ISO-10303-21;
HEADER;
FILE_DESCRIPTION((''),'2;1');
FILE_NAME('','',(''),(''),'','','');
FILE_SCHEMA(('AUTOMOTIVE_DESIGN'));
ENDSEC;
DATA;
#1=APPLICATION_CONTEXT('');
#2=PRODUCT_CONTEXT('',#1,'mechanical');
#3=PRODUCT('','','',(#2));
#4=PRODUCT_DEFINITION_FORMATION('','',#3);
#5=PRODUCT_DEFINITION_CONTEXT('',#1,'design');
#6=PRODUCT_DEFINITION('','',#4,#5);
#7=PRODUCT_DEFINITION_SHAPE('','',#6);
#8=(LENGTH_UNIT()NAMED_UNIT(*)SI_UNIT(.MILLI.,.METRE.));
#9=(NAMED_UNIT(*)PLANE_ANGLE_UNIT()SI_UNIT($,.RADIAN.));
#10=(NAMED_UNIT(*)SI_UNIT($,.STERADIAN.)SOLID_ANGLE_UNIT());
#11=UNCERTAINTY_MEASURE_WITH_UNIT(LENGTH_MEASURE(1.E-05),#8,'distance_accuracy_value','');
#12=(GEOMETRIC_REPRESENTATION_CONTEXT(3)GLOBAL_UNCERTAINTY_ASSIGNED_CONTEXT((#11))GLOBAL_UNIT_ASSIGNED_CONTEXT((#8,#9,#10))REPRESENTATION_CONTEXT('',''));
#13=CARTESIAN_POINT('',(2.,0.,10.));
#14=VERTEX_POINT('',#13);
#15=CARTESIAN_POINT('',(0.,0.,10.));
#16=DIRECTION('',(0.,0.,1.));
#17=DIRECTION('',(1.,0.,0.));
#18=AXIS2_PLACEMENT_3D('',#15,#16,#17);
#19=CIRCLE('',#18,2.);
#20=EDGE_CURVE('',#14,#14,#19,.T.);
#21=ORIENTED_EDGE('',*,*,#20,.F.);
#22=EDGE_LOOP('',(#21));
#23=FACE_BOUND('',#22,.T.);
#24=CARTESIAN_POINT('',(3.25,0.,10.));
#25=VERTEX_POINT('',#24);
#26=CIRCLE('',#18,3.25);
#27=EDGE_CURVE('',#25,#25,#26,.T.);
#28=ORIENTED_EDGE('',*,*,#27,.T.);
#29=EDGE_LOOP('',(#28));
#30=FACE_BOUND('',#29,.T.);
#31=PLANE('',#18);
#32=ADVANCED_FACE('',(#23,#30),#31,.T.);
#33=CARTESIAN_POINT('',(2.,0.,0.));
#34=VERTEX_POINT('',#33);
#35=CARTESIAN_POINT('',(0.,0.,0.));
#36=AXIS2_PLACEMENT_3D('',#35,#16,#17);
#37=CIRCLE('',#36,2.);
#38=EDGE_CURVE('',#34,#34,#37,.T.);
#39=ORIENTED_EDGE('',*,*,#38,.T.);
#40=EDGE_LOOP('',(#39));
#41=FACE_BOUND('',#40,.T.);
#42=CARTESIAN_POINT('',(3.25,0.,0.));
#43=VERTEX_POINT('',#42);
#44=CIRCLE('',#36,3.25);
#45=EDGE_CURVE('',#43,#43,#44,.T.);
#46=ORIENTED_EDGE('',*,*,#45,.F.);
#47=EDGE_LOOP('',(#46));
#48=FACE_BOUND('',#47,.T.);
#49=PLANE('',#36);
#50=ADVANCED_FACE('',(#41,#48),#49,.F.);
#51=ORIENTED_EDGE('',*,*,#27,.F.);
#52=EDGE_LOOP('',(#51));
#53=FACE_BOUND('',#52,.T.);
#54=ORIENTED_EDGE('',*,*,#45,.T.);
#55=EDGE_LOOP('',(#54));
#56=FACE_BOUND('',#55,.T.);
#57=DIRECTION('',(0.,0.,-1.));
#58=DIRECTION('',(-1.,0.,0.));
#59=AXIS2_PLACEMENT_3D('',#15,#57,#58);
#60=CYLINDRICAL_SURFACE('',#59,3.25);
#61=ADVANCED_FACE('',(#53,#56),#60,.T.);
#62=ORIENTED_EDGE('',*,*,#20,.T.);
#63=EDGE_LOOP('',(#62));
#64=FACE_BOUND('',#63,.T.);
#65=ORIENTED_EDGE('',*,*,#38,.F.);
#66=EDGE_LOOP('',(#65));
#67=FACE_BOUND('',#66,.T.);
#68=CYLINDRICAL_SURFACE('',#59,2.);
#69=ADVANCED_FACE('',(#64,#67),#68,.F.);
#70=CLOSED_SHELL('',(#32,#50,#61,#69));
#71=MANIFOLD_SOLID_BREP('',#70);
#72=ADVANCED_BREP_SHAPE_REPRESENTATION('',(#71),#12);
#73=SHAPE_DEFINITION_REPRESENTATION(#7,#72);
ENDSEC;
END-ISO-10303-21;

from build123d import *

# Parameters (mm, degrees)
SKETCH1_R           = 3.25
SKETCH1_R_2         = 2
BOSS_EXTRUDE1_DEPTH = 10


with BuildPart() as part:
    # Sketch1 → Boss-Extrude1 (new body)
    with BuildSketch(Plane.XY):
        Circle(SKETCH1_R)
        Circle(SKETCH1_R_2, mode=Mode.SUBTRACT)
    extrude(amount=BOSS_EXTRUDE1_DEPTH)


solid = part.part
